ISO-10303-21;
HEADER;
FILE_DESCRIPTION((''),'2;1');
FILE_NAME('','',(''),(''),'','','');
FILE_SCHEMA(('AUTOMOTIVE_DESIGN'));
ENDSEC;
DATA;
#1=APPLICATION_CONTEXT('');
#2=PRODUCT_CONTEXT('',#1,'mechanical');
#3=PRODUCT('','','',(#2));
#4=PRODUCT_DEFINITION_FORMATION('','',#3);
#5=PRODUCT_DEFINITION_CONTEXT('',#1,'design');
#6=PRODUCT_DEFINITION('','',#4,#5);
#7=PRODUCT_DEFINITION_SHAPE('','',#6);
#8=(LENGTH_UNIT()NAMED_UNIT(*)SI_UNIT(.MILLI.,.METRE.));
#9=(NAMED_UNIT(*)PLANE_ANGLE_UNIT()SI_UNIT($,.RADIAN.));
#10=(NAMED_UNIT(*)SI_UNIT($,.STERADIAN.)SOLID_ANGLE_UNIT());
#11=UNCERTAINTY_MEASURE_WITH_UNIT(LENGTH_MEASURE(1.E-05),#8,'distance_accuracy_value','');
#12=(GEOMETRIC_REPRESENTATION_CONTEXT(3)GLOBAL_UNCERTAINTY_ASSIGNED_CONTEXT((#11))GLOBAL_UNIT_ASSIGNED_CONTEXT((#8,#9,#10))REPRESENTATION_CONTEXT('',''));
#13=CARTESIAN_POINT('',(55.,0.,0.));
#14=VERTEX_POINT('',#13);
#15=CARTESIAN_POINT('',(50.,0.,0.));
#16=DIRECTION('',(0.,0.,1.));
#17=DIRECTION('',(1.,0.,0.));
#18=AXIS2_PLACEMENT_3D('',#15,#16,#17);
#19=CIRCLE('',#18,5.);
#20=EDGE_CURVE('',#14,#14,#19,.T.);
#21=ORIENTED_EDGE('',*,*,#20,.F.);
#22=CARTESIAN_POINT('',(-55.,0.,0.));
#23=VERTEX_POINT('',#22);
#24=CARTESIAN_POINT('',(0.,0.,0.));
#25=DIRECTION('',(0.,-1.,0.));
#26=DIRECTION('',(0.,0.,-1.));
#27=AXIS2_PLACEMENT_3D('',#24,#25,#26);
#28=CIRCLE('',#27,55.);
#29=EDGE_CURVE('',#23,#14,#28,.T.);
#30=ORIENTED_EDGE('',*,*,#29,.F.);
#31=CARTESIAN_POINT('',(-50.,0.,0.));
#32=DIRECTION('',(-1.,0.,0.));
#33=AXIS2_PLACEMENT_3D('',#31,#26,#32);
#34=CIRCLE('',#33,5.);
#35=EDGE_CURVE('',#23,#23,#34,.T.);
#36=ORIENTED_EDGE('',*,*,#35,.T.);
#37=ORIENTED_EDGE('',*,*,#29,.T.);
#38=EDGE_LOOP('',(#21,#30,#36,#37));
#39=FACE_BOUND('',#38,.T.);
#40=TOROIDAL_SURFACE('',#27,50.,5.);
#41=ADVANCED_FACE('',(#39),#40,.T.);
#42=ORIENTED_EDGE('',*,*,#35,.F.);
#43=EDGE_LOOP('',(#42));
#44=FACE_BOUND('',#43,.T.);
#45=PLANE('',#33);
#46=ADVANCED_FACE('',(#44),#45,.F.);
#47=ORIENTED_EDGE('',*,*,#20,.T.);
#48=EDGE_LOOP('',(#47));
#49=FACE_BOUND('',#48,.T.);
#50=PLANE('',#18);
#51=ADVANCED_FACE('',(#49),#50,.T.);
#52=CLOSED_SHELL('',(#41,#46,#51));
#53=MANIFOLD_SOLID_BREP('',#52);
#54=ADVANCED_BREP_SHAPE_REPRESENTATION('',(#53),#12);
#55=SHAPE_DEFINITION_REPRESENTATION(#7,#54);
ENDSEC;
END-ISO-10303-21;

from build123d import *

# Parameters (mm, degrees)
SKETCH1_R      = 5
REVOLVE1_ANGLE = 180


with BuildPart() as part:
    # Sketch1 → Revolve1 (revolve)
    with BuildSketch(Plane.XY):
        with Locations((50, 0)):
            Circle(SKETCH1_R)
    revolve(axis=Axis((0, 0, 0), (0, 1, 0)), revolution_arc=REVOLVE1_ANGLE)


solid = part.part
